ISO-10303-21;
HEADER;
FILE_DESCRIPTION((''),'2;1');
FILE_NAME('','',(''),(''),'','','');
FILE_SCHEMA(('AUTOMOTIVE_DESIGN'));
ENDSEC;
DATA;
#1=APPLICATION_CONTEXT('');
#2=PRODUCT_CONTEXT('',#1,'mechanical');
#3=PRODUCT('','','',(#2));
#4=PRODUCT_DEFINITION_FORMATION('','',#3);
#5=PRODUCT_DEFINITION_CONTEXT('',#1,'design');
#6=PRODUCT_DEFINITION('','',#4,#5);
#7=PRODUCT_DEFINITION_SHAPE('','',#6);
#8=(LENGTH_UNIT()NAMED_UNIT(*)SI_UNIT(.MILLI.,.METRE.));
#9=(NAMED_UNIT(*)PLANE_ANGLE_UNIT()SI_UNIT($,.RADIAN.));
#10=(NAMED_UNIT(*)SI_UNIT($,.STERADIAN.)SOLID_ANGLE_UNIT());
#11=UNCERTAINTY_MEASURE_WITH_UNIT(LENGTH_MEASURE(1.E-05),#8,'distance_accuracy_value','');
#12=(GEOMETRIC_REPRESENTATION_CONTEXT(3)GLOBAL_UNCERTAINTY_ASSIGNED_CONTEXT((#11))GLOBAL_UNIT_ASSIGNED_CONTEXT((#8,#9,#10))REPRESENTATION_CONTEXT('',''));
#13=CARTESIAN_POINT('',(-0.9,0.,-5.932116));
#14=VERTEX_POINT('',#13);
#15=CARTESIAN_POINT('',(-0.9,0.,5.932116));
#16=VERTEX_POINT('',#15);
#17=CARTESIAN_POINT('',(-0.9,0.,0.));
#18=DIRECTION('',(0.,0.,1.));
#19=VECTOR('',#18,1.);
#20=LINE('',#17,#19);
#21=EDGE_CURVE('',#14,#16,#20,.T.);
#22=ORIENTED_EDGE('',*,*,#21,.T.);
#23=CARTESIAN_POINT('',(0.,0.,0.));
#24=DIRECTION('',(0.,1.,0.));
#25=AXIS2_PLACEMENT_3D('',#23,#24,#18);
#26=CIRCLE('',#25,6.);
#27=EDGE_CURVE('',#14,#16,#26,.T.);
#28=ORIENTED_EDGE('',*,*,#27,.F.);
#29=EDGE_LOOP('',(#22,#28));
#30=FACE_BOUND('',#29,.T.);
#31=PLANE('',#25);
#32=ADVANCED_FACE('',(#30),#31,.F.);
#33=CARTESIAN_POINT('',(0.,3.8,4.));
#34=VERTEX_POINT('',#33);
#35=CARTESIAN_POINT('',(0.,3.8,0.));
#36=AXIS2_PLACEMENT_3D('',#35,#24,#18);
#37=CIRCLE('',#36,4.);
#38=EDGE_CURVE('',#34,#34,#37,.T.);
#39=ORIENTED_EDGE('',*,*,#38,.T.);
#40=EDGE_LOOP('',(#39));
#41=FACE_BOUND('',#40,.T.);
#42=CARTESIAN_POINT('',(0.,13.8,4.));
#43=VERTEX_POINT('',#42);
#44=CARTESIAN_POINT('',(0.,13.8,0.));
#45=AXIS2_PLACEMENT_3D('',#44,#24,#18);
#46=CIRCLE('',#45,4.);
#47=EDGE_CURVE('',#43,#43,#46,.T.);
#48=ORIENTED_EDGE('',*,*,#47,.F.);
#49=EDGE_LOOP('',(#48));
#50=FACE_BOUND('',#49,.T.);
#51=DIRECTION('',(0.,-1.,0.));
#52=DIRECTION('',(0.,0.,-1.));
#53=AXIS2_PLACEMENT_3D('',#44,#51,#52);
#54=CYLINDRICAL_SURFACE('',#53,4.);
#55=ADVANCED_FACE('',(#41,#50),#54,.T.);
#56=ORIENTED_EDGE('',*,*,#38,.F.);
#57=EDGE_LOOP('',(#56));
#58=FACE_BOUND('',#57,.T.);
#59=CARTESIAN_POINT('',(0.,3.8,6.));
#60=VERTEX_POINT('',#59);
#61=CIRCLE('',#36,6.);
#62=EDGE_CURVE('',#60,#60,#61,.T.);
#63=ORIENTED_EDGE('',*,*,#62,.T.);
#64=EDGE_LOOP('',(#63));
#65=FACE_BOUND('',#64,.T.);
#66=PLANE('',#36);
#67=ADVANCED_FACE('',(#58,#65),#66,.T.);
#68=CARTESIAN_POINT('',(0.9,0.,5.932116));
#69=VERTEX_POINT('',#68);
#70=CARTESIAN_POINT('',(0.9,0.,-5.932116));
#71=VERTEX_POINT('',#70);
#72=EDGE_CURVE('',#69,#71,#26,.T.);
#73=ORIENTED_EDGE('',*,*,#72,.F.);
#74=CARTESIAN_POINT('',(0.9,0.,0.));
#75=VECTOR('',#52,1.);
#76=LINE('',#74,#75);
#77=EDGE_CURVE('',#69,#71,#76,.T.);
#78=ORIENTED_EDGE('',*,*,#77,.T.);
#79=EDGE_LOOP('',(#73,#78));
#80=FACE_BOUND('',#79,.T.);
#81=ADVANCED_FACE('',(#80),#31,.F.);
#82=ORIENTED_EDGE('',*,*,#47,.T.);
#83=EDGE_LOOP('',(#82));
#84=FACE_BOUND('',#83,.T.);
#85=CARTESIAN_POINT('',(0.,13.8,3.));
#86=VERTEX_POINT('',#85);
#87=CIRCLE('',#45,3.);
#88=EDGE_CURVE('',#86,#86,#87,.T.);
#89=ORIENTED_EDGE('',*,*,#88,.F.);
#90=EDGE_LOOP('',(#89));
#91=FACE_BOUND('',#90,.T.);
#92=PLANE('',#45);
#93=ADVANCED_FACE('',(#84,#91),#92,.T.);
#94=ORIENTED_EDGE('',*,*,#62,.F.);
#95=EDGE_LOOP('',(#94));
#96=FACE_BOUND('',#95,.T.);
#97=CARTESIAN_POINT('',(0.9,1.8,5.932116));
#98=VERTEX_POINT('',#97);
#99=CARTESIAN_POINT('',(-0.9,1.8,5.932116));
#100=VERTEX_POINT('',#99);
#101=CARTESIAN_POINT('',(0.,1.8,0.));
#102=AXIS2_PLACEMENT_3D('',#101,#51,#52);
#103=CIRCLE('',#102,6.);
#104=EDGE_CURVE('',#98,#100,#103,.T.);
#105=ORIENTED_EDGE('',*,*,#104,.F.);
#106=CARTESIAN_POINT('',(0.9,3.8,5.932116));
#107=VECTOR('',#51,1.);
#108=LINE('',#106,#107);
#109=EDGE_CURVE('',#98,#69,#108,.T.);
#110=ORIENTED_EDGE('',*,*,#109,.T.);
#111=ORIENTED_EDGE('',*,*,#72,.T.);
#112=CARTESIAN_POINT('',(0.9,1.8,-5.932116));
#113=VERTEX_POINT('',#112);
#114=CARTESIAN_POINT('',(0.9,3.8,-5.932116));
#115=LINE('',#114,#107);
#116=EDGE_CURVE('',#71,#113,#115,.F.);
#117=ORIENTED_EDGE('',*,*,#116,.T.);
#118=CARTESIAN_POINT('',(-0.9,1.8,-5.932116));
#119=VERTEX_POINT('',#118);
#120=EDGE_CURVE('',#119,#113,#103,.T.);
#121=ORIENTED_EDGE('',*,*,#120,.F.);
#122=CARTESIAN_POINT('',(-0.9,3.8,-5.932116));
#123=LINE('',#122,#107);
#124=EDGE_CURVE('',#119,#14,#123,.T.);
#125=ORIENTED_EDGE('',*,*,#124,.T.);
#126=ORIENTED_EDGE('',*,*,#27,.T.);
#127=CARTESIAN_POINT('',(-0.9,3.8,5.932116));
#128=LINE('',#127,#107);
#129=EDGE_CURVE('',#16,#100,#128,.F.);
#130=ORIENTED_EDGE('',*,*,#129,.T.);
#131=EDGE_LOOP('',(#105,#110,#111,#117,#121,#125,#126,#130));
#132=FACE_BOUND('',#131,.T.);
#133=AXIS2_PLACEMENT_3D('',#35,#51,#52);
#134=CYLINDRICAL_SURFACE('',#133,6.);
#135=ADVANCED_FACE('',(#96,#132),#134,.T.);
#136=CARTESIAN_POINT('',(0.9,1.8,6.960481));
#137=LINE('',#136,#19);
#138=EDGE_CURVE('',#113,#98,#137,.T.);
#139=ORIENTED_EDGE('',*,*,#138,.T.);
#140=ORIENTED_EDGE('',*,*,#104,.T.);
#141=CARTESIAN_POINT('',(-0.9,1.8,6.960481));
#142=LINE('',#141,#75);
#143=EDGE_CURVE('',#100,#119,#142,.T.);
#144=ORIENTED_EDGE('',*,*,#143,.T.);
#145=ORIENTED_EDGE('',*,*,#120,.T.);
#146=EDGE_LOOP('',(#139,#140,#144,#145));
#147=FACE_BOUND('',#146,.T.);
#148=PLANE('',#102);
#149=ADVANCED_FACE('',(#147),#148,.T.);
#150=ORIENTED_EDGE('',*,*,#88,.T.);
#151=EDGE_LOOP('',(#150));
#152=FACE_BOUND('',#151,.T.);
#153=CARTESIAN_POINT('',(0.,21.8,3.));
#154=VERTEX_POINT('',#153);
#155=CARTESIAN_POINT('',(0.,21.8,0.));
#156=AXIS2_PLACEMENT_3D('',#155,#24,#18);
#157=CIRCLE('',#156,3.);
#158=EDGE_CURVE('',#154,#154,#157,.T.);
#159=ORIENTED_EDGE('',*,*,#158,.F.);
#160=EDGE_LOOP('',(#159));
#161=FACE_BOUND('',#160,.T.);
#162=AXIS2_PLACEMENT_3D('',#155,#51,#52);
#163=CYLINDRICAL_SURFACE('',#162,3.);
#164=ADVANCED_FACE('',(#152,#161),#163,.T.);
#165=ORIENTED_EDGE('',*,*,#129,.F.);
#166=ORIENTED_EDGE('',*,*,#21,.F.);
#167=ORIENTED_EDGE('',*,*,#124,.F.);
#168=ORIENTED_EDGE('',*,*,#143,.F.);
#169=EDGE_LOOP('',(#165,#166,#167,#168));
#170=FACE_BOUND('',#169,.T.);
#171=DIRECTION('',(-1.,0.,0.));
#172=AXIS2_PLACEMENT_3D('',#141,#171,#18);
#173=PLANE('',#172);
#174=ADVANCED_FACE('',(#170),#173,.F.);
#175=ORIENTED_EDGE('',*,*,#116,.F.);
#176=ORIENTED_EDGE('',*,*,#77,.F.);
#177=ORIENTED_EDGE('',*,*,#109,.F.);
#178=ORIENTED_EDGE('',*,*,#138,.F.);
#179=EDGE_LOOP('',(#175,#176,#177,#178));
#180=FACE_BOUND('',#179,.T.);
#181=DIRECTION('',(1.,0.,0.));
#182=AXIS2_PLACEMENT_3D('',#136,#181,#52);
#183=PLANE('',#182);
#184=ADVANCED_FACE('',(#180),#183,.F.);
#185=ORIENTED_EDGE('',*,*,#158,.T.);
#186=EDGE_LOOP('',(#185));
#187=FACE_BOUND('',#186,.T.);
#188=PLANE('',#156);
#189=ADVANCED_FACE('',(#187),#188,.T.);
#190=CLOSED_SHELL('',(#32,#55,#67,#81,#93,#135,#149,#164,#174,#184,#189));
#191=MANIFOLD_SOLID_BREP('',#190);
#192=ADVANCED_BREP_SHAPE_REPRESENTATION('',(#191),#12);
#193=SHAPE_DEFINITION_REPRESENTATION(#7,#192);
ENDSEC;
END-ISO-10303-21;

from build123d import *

# Parameters (mm, degrees)
SKETCH_1_R          = 6
EXTRUDE_1_DEPTH     = 3.8
SKETCH_2_R          = 4
EXTRUDE_2_DEPTH     = 10
SKETCH_3_R          = 3
EXTRUDE_3_DEPTH     = 8
SKETCH_4_W          = 1.8
SKETCH_4_H          = 13.920962764
CUT_EXTRUDE_1_DEPTH = 1.8


with BuildPart() as part:
    # 草图1 → 凸台-拉伸1 (new body)
    with BuildSketch(Plane(origin=(0, 0, 0), x_dir=(1, 0, 0), z_dir=(0, 1, 0))):
        with Locations(Location((0, 0, 0), (0, 0, 90))):
            Circle(SKETCH_1_R)
    extrude(amount=EXTRUDE_1_DEPTH)

    # 草图2 → 凸台-拉伸2 (add)
    with BuildSketch(Plane(origin=(0, 3.8, 0), x_dir=(1, 0, 0), z_dir=(0, 1, 0))):
        with Locations(Location((0, 0, 0), (0, 0, 270))):
            Circle(SKETCH_2_R)
    extrude(amount=EXTRUDE_2_DEPTH)

    # 草图3 → 凸台-拉伸3 (add)
    with BuildSketch(Plane(origin=(0, 13.8, 0), x_dir=(1, 0, 0), z_dir=(0, 1, 0))):
        with Locations(Location((0, 0, 0), (0, 0, 270))):
            Circle(SKETCH_3_R)
    extrude(amount=EXTRUDE_3_DEPTH)

    # 草图4 → 切除-拉伸1 (cut)
    with BuildSketch(Plane.XZ):
        Rectangle(SKETCH_4_W, SKETCH_4_H)
    extrude(amount=-CUT_EXTRUDE_1_DEPTH, mode=Mode.SUBTRACT)


solid = part.part
